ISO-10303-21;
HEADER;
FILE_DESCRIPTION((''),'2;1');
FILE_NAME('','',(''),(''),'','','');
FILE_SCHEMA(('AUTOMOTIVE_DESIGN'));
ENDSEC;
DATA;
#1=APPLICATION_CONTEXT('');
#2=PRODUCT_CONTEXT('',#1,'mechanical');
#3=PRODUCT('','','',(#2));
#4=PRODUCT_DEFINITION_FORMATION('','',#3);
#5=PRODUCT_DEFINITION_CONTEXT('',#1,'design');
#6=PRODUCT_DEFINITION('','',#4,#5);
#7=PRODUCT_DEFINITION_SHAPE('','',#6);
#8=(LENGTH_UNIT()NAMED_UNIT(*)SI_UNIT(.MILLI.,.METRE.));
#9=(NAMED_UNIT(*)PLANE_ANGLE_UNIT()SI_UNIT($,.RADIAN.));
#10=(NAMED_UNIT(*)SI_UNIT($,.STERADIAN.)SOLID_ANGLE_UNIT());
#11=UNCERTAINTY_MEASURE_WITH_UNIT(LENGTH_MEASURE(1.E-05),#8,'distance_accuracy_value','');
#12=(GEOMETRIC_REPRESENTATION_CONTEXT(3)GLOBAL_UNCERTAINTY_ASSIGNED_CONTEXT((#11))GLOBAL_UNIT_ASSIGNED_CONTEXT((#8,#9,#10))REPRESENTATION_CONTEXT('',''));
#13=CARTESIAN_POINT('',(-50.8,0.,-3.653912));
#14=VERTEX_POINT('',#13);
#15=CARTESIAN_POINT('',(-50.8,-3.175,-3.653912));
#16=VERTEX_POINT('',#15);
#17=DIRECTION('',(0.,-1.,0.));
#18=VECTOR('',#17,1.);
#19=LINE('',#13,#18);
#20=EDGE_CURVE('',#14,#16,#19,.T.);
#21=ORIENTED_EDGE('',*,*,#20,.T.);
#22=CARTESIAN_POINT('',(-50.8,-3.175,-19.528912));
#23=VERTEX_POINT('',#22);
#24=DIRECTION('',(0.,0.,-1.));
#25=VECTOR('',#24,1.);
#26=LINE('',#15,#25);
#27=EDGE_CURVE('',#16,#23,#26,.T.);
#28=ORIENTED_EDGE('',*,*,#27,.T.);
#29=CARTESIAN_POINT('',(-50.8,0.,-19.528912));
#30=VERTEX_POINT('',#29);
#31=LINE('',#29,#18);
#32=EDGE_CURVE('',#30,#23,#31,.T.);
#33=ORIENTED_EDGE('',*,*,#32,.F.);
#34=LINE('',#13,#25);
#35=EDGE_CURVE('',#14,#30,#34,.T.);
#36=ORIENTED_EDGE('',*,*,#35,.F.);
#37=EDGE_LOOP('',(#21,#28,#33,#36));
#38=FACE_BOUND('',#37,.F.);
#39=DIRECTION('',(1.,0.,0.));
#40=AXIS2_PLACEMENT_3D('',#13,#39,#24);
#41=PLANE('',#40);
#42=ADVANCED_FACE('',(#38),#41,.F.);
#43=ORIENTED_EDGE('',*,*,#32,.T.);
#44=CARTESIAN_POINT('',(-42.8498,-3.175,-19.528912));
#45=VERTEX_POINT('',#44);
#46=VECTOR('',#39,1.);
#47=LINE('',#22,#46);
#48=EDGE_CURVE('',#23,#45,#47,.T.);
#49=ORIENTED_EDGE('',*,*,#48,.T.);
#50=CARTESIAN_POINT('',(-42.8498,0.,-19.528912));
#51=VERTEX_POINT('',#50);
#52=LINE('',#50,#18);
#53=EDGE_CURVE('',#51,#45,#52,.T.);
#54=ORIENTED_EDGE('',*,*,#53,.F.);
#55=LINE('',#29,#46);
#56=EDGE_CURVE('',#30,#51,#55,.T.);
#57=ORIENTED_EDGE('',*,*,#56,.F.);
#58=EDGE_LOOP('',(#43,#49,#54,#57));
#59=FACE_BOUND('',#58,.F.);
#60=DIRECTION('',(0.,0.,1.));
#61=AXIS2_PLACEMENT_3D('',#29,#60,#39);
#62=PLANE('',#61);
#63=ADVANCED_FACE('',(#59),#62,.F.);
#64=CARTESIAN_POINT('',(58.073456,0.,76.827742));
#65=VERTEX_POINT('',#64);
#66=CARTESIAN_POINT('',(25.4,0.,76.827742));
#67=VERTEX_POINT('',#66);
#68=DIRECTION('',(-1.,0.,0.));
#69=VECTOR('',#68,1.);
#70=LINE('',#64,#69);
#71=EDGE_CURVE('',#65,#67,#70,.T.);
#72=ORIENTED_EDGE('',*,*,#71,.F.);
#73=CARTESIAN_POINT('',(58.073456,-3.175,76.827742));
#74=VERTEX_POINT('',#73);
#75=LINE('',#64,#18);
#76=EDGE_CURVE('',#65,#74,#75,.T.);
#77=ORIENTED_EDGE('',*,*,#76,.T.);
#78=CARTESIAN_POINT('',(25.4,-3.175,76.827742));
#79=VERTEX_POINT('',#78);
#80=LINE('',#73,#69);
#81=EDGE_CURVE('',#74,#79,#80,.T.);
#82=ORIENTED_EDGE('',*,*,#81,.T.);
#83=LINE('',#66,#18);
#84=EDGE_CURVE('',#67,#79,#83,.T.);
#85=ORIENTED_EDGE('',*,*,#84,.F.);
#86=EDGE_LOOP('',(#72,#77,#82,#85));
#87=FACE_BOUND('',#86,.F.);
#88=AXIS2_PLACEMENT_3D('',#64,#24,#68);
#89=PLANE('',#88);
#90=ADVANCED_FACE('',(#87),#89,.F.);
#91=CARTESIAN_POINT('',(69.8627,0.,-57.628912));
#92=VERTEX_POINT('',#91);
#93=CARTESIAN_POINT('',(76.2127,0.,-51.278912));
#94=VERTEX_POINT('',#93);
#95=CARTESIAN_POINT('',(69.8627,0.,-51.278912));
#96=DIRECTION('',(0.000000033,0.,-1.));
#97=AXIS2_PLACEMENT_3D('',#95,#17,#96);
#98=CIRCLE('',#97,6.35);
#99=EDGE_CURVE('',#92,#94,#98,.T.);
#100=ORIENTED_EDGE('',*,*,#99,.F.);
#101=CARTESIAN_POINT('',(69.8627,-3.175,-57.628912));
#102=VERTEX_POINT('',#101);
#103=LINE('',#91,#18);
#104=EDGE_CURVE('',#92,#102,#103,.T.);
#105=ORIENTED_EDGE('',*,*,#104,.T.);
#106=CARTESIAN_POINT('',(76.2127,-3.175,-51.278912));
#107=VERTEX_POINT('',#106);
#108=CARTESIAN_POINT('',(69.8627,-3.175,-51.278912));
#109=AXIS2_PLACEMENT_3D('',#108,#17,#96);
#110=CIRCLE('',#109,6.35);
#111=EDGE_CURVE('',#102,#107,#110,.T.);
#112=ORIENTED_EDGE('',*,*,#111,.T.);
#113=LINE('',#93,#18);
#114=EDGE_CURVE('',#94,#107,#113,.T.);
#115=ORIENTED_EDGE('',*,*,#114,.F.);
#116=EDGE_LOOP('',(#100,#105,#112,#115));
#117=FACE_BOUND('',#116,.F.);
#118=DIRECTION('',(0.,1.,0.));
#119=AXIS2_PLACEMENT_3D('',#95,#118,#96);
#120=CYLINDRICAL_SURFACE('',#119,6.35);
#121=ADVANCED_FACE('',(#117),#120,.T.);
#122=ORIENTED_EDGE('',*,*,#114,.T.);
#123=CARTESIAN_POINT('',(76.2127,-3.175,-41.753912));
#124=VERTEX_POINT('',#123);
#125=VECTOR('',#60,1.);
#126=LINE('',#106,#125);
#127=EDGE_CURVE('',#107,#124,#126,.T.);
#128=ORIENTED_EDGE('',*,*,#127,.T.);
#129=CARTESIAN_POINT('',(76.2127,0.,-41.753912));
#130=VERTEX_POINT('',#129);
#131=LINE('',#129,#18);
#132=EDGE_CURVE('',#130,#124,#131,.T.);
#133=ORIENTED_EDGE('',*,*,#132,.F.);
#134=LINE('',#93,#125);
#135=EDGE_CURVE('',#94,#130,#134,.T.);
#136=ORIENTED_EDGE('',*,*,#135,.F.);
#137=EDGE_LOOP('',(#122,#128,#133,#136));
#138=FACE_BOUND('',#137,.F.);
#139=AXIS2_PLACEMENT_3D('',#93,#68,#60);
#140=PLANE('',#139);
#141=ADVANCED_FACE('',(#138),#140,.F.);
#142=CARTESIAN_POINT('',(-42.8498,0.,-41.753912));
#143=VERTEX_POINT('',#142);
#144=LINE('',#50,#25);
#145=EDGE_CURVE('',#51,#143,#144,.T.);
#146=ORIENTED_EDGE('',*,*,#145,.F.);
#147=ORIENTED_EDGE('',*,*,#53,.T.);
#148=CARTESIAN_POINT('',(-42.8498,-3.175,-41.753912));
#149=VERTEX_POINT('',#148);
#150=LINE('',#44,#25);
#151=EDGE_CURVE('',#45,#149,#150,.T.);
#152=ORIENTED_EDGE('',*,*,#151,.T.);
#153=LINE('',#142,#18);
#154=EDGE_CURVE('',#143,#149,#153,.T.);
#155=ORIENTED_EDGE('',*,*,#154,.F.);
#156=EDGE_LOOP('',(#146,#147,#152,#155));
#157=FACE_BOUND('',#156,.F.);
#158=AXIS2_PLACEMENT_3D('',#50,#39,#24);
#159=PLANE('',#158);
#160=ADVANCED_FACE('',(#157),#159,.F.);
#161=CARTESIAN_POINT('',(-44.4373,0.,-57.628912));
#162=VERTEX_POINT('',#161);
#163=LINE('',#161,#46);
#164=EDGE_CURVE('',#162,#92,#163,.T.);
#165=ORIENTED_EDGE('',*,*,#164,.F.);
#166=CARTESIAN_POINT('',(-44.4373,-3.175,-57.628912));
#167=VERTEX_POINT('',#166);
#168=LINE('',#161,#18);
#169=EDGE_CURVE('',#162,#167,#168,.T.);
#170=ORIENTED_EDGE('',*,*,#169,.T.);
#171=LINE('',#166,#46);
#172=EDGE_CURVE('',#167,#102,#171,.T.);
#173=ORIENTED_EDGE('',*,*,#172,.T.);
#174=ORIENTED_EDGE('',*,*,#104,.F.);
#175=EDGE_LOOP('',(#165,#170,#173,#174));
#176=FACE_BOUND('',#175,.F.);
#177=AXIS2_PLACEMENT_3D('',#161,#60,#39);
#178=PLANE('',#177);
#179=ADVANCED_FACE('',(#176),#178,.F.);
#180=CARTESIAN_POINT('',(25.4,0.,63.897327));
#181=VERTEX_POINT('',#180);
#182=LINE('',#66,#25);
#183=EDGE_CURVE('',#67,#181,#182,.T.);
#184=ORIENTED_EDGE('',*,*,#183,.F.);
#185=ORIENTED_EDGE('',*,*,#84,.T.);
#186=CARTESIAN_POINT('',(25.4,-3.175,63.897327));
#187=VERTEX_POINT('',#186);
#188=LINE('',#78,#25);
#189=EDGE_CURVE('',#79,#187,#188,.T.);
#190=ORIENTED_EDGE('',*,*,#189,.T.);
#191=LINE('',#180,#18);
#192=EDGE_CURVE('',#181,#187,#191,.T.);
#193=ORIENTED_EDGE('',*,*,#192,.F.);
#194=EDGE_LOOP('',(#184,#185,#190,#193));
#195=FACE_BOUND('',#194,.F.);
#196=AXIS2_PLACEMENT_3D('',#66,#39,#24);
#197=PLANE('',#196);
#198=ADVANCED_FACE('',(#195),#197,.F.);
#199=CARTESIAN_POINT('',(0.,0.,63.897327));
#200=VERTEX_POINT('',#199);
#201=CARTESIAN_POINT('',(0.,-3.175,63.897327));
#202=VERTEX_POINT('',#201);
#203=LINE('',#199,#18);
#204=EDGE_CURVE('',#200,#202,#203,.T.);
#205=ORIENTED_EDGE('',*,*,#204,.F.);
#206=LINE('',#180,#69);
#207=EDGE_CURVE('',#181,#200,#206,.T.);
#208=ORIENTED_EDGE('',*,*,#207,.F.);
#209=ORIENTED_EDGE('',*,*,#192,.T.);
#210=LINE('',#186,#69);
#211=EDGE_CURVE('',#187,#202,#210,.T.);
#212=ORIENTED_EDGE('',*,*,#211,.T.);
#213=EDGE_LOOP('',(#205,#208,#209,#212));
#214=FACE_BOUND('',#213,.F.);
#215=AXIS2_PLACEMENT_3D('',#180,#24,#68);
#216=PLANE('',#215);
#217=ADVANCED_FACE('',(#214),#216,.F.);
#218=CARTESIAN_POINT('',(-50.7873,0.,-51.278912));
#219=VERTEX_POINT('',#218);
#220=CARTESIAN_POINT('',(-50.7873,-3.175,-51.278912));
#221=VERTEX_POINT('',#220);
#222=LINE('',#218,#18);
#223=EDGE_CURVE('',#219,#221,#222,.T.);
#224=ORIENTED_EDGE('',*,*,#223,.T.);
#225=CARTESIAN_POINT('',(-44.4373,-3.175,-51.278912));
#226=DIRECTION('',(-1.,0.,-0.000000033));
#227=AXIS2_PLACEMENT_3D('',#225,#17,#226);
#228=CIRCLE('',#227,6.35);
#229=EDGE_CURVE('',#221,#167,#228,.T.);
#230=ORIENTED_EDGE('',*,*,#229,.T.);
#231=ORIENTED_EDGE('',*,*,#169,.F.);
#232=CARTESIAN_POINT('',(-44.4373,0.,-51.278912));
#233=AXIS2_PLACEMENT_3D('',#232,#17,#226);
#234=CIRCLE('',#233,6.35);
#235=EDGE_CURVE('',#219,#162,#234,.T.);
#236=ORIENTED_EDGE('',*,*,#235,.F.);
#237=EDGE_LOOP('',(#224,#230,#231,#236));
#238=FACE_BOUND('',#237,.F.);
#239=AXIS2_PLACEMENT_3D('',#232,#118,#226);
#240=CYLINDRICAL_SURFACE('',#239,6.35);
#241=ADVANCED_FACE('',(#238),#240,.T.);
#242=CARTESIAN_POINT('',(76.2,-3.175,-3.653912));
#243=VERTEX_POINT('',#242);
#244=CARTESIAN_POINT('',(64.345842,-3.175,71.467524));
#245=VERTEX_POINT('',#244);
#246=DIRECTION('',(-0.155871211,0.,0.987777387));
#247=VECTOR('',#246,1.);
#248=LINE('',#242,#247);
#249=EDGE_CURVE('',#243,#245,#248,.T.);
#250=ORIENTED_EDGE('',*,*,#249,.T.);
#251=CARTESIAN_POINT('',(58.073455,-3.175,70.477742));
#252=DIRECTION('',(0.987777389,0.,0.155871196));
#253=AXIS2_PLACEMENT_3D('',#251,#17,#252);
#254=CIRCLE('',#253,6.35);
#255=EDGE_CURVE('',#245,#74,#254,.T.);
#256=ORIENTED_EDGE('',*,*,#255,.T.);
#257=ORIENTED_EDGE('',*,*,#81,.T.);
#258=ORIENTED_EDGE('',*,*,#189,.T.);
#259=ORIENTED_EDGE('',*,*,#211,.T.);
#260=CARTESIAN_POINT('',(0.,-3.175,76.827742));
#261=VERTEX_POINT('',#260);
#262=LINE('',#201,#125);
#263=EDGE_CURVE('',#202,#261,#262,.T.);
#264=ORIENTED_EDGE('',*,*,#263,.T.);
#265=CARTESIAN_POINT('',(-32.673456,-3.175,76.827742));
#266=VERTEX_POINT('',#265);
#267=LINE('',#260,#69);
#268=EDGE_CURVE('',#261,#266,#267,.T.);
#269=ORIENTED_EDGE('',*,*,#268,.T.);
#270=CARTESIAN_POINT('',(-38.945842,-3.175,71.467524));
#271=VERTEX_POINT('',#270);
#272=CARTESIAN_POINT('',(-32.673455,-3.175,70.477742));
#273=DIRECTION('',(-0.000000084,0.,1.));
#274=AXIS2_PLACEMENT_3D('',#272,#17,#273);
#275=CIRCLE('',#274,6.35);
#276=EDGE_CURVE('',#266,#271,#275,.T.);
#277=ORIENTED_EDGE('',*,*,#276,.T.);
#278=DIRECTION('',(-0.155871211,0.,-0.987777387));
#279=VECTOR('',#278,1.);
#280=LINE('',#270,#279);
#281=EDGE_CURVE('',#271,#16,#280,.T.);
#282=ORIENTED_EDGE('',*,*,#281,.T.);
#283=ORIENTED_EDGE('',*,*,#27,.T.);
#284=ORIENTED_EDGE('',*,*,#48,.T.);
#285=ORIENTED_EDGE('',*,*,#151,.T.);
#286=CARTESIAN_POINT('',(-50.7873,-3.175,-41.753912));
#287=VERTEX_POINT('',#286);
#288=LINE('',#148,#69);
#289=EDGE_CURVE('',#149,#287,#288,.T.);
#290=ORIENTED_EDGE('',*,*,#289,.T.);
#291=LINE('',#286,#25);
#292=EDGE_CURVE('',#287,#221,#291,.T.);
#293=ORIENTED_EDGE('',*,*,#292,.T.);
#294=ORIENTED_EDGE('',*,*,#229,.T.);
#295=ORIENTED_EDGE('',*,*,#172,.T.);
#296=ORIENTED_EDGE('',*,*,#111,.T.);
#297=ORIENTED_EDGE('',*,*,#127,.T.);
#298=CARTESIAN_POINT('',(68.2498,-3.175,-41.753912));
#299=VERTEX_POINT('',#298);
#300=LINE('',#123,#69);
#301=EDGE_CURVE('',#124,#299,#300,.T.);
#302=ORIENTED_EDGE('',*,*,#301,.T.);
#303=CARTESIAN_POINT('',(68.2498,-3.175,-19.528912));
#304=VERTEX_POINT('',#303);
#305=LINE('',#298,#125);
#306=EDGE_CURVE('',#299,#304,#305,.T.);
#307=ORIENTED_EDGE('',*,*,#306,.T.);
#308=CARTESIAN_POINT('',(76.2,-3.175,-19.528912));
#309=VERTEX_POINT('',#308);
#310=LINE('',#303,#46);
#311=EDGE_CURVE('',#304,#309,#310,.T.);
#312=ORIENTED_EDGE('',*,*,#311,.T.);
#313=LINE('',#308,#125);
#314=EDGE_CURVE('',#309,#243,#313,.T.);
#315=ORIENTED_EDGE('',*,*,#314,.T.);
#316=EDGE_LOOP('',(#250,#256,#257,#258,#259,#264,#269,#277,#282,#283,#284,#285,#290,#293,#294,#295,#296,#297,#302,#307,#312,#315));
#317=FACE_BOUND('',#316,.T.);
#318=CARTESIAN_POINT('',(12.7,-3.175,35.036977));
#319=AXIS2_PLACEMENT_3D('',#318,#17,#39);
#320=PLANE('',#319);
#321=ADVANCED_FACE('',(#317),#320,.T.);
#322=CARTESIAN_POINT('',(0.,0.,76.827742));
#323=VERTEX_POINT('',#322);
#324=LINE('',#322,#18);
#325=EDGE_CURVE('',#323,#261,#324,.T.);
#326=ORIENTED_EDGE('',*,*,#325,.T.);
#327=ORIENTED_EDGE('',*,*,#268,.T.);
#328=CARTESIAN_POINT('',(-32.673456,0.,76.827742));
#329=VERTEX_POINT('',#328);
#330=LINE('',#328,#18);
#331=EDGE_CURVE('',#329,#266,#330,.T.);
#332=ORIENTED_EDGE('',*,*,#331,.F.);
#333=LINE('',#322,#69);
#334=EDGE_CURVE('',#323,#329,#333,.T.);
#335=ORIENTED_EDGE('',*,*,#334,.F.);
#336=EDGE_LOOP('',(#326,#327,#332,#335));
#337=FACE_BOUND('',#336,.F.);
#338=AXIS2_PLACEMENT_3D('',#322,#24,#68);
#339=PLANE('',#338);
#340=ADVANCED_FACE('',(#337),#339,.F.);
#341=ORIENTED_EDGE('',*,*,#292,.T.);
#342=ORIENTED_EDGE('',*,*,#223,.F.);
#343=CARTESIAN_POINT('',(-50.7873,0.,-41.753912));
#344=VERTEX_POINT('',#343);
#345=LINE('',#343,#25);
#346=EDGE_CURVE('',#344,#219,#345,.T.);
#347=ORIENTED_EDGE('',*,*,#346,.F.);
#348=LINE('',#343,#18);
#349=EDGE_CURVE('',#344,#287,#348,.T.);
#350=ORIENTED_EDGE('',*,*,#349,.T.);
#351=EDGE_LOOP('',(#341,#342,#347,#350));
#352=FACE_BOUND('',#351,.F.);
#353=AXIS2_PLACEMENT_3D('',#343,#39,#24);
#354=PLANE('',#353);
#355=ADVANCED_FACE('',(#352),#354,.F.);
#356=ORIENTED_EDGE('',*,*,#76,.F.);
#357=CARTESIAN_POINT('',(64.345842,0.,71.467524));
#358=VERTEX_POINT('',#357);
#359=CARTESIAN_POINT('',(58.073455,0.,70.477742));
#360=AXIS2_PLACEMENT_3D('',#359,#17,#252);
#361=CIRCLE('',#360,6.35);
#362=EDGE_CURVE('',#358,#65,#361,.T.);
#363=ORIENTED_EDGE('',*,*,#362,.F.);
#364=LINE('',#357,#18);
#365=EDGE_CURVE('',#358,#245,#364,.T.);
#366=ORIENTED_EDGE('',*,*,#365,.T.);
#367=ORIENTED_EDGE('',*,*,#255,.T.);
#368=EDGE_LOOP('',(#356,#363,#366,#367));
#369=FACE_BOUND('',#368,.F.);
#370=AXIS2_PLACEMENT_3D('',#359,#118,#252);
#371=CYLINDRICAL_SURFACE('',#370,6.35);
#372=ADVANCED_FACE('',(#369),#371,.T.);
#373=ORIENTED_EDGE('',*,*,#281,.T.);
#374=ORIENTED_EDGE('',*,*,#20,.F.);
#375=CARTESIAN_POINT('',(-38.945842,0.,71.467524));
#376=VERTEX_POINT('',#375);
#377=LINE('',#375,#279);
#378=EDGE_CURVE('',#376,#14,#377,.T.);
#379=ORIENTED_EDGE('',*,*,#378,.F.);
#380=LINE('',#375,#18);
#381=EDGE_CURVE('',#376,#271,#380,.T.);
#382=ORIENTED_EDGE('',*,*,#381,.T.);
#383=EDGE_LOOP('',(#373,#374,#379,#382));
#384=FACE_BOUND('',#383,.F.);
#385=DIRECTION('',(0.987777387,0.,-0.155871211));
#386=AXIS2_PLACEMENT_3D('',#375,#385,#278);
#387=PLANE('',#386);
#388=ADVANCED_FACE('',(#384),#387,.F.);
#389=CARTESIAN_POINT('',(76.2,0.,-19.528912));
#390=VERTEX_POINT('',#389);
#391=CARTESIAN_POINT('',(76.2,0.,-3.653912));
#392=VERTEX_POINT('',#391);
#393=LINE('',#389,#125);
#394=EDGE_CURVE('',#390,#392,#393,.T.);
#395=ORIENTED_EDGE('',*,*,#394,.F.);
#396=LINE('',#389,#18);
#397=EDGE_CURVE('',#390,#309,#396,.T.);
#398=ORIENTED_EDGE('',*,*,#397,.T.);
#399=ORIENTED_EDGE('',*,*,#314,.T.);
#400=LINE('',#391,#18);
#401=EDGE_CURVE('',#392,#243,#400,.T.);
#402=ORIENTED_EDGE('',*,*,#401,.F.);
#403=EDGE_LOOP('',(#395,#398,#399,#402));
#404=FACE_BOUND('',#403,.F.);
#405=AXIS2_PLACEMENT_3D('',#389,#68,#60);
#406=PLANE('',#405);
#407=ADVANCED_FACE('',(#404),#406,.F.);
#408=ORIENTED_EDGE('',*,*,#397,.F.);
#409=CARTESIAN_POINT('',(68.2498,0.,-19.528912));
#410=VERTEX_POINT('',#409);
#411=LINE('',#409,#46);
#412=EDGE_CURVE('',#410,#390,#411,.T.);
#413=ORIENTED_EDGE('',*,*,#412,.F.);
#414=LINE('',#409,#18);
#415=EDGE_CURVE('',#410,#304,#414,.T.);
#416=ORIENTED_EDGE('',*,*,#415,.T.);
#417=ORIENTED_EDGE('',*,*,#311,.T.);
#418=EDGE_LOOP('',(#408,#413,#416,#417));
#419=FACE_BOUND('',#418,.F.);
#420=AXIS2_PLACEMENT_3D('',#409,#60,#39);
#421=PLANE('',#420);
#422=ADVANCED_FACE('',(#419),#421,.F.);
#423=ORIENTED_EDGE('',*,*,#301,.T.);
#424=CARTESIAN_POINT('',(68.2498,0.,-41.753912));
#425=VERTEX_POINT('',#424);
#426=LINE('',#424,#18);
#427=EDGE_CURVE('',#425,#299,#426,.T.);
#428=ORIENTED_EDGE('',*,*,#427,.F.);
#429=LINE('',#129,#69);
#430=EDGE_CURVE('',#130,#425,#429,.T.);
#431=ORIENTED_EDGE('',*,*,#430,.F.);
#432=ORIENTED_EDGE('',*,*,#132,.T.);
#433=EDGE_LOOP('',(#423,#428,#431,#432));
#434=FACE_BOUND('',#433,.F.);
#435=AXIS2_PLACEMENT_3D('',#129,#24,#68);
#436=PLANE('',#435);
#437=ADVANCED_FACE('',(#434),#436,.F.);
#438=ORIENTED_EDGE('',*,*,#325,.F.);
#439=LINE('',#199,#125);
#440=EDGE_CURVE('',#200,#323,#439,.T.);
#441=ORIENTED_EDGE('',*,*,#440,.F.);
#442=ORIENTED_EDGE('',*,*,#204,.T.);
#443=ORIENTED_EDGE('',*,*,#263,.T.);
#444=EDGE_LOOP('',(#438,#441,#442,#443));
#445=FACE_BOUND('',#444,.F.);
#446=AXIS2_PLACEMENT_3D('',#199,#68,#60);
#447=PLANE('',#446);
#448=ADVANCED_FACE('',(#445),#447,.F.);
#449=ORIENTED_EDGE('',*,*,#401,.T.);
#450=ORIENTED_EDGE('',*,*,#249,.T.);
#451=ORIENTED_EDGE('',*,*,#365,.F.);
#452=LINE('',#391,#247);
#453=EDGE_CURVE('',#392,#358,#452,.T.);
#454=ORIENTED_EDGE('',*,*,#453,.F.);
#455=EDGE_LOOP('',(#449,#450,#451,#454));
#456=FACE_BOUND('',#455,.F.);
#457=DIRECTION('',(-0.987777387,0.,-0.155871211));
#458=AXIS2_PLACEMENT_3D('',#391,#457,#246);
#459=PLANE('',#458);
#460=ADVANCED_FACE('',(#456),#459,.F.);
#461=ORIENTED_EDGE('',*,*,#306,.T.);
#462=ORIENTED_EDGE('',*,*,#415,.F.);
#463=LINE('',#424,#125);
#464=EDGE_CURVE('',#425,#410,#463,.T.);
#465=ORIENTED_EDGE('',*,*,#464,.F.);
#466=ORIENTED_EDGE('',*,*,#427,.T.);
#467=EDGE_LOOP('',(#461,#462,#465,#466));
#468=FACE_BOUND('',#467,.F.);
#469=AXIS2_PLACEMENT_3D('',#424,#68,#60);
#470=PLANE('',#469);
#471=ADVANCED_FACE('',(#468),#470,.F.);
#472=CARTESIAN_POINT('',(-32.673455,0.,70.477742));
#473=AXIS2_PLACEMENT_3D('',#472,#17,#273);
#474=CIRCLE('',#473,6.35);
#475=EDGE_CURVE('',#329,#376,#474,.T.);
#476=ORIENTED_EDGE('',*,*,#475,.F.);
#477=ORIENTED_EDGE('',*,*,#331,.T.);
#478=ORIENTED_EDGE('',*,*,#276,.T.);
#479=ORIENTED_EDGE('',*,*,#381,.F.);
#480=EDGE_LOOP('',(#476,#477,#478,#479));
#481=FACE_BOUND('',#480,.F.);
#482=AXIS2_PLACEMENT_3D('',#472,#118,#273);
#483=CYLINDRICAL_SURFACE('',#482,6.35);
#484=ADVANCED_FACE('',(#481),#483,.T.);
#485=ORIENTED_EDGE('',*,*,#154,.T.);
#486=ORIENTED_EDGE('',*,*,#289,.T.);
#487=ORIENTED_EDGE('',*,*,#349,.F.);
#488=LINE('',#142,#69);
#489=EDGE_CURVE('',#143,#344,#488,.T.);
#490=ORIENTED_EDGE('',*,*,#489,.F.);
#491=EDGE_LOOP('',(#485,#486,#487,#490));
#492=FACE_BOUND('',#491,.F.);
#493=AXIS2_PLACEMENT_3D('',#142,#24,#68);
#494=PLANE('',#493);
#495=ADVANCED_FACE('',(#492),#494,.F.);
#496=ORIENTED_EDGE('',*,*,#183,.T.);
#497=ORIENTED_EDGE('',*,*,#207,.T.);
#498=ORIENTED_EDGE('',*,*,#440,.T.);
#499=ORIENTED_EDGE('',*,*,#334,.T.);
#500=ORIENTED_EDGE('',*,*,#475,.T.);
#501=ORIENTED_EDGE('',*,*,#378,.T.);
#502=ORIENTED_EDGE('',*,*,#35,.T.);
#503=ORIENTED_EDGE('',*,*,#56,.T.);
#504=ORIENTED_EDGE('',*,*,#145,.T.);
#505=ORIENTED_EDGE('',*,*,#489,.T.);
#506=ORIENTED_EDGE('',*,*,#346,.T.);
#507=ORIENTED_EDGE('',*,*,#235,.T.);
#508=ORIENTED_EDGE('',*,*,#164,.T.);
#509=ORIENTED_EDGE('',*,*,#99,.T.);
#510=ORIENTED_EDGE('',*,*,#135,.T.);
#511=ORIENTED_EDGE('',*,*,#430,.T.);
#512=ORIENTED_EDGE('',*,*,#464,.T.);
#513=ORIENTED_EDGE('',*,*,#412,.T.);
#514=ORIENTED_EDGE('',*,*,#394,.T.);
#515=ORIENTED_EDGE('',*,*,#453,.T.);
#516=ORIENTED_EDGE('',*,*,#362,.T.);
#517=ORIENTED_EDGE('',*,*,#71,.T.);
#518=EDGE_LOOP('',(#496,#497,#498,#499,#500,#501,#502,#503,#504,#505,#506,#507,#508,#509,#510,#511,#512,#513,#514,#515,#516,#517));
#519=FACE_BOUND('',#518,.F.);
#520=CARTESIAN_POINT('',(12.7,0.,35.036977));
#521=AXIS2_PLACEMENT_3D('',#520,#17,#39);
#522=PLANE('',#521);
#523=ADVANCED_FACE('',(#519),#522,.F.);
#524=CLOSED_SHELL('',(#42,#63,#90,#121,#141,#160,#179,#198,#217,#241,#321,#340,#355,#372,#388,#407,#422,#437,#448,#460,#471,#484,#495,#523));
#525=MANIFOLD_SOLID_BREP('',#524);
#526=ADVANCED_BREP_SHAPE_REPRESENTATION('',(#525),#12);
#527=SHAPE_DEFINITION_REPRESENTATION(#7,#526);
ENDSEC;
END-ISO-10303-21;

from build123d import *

# Parameters (mm, degrees)
F1_DEPTH = 3.175


with BuildPart() as f1:
    # F0 (on Front) → F1 (new body)
    with BuildSketch(Plane.XZ):
        with BuildLine():
            Line((-38.945842, 71.467524), (-50.8, -3.653912))
            Line((-50.8, -3.653912), (76.2, -3.653912))
            Line((76.2, -3.653912), (64.345842, 71.467524))
            ThreePointArc((64.345842, 71.467524), (62.198827, 75.305144), (58.073456, 76.827742))
            Line((58.073456, 76.827742), (25.4, 76.827742))
            Line((25.4, 76.827742), (25.4, 63.897327))
            Line((25.4, 63.897327), (0, 63.897327))
            Line((0, 63.897327), (0, 76.827742))
            Line((0, 76.827742), (-32.673456, 76.827742))
            ThreePointArc((-32.673456, 76.827742), (-36.798827, 75.305144), (-38.945842, 71.467524))
        make_face()
        with BuildLine():
            Line((76.2, -3.653912), (-50.8, -3.653912))
            Line((-50.8, -3.653912), (-50.8, -19.528912))
            Line((-50.8, -19.528912), (-42.8498, -19.528912))
            Line((-42.8498, -19.528912), (-42.8498, -41.753912))
            Line((-42.8498, -41.753912), (-50.7873, -41.753912))
            Line((-50.7873, -41.753912), (-50.7873, -51.278912))
            ThreePointArc((-50.7873, -51.278912), (-48.927428, -55.76904), (-44.4373, -57.628912))
            Line((-44.4373, -57.628912), (69.8627, -57.628912))
            ThreePointArc((69.8627, -57.628912), (74.352828, -55.76904), (76.2127, -51.278912))
            Line((76.2127, -51.278912), (76.2127, -41.753912))
            Line((76.2127, -41.753912), (68.2498, -41.753912))
            Line((68.2498, -41.753912), (68.2498, -19.528912))
            Line((68.2498, -19.528912), (76.2, -19.528912))
            Line((76.2, -19.528912), (76.2, -3.653912))
        make_face()
    extrude(amount=F1_DEPTH)


solid = f1.part
